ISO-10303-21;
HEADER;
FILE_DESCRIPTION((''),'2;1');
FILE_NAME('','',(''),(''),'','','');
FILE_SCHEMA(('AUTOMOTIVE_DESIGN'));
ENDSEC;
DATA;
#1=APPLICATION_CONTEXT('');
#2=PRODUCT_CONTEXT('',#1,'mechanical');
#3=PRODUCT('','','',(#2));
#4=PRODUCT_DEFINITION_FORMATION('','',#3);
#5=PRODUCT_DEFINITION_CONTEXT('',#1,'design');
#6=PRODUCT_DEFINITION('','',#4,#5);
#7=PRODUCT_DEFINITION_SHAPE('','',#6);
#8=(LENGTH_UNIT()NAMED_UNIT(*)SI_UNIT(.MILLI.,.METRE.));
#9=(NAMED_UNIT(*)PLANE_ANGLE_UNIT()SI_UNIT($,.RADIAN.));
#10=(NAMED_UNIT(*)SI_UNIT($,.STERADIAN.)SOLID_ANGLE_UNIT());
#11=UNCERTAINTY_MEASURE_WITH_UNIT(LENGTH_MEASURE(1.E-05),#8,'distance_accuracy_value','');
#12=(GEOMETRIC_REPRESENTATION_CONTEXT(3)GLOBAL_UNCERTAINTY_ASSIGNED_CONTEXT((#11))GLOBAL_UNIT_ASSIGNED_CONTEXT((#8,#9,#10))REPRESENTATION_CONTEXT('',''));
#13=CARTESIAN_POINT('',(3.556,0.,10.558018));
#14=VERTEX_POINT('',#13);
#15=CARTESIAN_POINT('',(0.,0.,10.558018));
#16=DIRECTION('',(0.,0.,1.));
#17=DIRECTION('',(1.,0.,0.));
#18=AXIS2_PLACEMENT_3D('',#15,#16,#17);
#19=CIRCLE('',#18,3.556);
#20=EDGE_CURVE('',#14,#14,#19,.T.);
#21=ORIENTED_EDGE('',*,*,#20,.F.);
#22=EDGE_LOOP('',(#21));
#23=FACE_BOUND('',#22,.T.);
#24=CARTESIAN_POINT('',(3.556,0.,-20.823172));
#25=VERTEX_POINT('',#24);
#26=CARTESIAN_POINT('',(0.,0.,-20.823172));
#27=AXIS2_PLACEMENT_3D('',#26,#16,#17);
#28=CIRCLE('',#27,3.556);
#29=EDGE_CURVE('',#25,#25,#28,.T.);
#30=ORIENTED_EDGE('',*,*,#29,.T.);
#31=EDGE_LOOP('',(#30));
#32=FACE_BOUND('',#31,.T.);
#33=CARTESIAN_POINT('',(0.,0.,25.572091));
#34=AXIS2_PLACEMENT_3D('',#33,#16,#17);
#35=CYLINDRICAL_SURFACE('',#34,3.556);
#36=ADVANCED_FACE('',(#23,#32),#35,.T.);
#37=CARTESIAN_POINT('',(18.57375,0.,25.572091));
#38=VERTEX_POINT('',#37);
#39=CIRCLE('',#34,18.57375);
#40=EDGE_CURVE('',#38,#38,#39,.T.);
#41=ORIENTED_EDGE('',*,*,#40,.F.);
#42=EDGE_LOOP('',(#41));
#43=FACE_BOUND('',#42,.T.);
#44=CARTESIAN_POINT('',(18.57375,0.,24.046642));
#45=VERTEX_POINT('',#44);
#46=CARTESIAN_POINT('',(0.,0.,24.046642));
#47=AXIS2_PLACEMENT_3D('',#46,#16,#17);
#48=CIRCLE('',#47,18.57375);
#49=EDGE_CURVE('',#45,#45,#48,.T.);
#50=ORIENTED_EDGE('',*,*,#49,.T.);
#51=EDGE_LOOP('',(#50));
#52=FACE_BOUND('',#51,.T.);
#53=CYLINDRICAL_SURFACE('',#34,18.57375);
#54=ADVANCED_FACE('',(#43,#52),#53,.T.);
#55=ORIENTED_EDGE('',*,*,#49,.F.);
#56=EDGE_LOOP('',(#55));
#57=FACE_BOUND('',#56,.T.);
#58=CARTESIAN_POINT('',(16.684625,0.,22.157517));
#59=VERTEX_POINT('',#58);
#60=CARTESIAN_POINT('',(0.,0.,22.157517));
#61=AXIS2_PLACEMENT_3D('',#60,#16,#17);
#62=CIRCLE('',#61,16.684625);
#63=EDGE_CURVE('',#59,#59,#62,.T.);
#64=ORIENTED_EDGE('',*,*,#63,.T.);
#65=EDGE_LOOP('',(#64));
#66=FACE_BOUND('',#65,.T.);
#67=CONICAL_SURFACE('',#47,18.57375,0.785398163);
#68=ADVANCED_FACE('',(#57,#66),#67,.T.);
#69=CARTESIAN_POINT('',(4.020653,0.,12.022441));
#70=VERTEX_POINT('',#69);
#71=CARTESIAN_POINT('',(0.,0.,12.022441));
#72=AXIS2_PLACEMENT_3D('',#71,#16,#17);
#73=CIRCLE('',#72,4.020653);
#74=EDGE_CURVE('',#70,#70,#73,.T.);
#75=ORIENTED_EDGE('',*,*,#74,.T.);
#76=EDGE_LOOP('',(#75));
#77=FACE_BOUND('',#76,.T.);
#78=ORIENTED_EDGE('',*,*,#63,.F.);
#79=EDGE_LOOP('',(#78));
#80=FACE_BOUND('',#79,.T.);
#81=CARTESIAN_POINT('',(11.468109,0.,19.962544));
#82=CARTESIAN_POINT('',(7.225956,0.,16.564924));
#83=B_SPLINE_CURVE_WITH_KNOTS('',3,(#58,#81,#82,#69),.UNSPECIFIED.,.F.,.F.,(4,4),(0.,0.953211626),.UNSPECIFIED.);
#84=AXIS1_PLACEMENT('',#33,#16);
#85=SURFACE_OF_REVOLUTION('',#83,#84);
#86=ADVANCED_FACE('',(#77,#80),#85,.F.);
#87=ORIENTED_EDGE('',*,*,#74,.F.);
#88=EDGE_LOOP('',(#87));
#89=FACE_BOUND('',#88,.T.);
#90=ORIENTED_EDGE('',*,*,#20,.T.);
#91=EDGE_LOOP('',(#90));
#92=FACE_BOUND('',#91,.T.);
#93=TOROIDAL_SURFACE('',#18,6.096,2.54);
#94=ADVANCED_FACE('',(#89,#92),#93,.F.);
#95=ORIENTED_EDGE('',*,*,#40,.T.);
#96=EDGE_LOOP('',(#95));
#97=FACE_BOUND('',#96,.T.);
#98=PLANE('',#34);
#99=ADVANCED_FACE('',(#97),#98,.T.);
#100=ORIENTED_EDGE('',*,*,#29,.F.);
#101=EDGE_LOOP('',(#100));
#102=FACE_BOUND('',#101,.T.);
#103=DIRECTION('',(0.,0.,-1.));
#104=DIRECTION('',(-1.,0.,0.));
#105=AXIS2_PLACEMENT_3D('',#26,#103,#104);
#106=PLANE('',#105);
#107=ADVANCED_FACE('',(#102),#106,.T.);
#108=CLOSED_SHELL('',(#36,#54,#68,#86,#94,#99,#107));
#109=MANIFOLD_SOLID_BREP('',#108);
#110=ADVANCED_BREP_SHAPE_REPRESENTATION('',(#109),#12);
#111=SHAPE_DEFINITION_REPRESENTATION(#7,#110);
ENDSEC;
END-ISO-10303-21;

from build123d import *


with BuildPart() as part:
    # Sketch1 → Revolve1 (revolve)
    with BuildSketch(Plane(origin=(0, 0, 0), x_dir=(1, 0, 0), z_dir=(0, 1, 0))):
        with BuildLine():
            Line((0, -25.572091464), (18.57375, -25.572091464))
            Line((18.57375, -25.572091464), (18.57375, -24.046641665))
            Line((18.57375, -24.046641665), (16.684625, -22.157516665))
            add(Edge.make_bspline(
                [(16.684625, -22.157516665), (11.468108673, -19.962544079), (7.225955877, -16.564924261), (4.020652898, -12.022441155)],
                knots=[0, 0, 0, 0, 0.953211626, 0.953211626, 0.953211626, 0.953211626], degree=3))
            ThreePointArc((4.020652898, -12.022441155), (3.674948406, -11.326203905), (3.556, -10.558018263))
            Line((3.556, -10.558018263), (3.556, 20.823171826))
            Line((3.556, 20.823171826), (0, 20.823171826))
            Line((0, 20.823171826), (0, -25.572091464))
        make_face()
    revolve(axis=Axis((0, 0, 25.572091464), (0, 0, -1)))


solid = part.part
